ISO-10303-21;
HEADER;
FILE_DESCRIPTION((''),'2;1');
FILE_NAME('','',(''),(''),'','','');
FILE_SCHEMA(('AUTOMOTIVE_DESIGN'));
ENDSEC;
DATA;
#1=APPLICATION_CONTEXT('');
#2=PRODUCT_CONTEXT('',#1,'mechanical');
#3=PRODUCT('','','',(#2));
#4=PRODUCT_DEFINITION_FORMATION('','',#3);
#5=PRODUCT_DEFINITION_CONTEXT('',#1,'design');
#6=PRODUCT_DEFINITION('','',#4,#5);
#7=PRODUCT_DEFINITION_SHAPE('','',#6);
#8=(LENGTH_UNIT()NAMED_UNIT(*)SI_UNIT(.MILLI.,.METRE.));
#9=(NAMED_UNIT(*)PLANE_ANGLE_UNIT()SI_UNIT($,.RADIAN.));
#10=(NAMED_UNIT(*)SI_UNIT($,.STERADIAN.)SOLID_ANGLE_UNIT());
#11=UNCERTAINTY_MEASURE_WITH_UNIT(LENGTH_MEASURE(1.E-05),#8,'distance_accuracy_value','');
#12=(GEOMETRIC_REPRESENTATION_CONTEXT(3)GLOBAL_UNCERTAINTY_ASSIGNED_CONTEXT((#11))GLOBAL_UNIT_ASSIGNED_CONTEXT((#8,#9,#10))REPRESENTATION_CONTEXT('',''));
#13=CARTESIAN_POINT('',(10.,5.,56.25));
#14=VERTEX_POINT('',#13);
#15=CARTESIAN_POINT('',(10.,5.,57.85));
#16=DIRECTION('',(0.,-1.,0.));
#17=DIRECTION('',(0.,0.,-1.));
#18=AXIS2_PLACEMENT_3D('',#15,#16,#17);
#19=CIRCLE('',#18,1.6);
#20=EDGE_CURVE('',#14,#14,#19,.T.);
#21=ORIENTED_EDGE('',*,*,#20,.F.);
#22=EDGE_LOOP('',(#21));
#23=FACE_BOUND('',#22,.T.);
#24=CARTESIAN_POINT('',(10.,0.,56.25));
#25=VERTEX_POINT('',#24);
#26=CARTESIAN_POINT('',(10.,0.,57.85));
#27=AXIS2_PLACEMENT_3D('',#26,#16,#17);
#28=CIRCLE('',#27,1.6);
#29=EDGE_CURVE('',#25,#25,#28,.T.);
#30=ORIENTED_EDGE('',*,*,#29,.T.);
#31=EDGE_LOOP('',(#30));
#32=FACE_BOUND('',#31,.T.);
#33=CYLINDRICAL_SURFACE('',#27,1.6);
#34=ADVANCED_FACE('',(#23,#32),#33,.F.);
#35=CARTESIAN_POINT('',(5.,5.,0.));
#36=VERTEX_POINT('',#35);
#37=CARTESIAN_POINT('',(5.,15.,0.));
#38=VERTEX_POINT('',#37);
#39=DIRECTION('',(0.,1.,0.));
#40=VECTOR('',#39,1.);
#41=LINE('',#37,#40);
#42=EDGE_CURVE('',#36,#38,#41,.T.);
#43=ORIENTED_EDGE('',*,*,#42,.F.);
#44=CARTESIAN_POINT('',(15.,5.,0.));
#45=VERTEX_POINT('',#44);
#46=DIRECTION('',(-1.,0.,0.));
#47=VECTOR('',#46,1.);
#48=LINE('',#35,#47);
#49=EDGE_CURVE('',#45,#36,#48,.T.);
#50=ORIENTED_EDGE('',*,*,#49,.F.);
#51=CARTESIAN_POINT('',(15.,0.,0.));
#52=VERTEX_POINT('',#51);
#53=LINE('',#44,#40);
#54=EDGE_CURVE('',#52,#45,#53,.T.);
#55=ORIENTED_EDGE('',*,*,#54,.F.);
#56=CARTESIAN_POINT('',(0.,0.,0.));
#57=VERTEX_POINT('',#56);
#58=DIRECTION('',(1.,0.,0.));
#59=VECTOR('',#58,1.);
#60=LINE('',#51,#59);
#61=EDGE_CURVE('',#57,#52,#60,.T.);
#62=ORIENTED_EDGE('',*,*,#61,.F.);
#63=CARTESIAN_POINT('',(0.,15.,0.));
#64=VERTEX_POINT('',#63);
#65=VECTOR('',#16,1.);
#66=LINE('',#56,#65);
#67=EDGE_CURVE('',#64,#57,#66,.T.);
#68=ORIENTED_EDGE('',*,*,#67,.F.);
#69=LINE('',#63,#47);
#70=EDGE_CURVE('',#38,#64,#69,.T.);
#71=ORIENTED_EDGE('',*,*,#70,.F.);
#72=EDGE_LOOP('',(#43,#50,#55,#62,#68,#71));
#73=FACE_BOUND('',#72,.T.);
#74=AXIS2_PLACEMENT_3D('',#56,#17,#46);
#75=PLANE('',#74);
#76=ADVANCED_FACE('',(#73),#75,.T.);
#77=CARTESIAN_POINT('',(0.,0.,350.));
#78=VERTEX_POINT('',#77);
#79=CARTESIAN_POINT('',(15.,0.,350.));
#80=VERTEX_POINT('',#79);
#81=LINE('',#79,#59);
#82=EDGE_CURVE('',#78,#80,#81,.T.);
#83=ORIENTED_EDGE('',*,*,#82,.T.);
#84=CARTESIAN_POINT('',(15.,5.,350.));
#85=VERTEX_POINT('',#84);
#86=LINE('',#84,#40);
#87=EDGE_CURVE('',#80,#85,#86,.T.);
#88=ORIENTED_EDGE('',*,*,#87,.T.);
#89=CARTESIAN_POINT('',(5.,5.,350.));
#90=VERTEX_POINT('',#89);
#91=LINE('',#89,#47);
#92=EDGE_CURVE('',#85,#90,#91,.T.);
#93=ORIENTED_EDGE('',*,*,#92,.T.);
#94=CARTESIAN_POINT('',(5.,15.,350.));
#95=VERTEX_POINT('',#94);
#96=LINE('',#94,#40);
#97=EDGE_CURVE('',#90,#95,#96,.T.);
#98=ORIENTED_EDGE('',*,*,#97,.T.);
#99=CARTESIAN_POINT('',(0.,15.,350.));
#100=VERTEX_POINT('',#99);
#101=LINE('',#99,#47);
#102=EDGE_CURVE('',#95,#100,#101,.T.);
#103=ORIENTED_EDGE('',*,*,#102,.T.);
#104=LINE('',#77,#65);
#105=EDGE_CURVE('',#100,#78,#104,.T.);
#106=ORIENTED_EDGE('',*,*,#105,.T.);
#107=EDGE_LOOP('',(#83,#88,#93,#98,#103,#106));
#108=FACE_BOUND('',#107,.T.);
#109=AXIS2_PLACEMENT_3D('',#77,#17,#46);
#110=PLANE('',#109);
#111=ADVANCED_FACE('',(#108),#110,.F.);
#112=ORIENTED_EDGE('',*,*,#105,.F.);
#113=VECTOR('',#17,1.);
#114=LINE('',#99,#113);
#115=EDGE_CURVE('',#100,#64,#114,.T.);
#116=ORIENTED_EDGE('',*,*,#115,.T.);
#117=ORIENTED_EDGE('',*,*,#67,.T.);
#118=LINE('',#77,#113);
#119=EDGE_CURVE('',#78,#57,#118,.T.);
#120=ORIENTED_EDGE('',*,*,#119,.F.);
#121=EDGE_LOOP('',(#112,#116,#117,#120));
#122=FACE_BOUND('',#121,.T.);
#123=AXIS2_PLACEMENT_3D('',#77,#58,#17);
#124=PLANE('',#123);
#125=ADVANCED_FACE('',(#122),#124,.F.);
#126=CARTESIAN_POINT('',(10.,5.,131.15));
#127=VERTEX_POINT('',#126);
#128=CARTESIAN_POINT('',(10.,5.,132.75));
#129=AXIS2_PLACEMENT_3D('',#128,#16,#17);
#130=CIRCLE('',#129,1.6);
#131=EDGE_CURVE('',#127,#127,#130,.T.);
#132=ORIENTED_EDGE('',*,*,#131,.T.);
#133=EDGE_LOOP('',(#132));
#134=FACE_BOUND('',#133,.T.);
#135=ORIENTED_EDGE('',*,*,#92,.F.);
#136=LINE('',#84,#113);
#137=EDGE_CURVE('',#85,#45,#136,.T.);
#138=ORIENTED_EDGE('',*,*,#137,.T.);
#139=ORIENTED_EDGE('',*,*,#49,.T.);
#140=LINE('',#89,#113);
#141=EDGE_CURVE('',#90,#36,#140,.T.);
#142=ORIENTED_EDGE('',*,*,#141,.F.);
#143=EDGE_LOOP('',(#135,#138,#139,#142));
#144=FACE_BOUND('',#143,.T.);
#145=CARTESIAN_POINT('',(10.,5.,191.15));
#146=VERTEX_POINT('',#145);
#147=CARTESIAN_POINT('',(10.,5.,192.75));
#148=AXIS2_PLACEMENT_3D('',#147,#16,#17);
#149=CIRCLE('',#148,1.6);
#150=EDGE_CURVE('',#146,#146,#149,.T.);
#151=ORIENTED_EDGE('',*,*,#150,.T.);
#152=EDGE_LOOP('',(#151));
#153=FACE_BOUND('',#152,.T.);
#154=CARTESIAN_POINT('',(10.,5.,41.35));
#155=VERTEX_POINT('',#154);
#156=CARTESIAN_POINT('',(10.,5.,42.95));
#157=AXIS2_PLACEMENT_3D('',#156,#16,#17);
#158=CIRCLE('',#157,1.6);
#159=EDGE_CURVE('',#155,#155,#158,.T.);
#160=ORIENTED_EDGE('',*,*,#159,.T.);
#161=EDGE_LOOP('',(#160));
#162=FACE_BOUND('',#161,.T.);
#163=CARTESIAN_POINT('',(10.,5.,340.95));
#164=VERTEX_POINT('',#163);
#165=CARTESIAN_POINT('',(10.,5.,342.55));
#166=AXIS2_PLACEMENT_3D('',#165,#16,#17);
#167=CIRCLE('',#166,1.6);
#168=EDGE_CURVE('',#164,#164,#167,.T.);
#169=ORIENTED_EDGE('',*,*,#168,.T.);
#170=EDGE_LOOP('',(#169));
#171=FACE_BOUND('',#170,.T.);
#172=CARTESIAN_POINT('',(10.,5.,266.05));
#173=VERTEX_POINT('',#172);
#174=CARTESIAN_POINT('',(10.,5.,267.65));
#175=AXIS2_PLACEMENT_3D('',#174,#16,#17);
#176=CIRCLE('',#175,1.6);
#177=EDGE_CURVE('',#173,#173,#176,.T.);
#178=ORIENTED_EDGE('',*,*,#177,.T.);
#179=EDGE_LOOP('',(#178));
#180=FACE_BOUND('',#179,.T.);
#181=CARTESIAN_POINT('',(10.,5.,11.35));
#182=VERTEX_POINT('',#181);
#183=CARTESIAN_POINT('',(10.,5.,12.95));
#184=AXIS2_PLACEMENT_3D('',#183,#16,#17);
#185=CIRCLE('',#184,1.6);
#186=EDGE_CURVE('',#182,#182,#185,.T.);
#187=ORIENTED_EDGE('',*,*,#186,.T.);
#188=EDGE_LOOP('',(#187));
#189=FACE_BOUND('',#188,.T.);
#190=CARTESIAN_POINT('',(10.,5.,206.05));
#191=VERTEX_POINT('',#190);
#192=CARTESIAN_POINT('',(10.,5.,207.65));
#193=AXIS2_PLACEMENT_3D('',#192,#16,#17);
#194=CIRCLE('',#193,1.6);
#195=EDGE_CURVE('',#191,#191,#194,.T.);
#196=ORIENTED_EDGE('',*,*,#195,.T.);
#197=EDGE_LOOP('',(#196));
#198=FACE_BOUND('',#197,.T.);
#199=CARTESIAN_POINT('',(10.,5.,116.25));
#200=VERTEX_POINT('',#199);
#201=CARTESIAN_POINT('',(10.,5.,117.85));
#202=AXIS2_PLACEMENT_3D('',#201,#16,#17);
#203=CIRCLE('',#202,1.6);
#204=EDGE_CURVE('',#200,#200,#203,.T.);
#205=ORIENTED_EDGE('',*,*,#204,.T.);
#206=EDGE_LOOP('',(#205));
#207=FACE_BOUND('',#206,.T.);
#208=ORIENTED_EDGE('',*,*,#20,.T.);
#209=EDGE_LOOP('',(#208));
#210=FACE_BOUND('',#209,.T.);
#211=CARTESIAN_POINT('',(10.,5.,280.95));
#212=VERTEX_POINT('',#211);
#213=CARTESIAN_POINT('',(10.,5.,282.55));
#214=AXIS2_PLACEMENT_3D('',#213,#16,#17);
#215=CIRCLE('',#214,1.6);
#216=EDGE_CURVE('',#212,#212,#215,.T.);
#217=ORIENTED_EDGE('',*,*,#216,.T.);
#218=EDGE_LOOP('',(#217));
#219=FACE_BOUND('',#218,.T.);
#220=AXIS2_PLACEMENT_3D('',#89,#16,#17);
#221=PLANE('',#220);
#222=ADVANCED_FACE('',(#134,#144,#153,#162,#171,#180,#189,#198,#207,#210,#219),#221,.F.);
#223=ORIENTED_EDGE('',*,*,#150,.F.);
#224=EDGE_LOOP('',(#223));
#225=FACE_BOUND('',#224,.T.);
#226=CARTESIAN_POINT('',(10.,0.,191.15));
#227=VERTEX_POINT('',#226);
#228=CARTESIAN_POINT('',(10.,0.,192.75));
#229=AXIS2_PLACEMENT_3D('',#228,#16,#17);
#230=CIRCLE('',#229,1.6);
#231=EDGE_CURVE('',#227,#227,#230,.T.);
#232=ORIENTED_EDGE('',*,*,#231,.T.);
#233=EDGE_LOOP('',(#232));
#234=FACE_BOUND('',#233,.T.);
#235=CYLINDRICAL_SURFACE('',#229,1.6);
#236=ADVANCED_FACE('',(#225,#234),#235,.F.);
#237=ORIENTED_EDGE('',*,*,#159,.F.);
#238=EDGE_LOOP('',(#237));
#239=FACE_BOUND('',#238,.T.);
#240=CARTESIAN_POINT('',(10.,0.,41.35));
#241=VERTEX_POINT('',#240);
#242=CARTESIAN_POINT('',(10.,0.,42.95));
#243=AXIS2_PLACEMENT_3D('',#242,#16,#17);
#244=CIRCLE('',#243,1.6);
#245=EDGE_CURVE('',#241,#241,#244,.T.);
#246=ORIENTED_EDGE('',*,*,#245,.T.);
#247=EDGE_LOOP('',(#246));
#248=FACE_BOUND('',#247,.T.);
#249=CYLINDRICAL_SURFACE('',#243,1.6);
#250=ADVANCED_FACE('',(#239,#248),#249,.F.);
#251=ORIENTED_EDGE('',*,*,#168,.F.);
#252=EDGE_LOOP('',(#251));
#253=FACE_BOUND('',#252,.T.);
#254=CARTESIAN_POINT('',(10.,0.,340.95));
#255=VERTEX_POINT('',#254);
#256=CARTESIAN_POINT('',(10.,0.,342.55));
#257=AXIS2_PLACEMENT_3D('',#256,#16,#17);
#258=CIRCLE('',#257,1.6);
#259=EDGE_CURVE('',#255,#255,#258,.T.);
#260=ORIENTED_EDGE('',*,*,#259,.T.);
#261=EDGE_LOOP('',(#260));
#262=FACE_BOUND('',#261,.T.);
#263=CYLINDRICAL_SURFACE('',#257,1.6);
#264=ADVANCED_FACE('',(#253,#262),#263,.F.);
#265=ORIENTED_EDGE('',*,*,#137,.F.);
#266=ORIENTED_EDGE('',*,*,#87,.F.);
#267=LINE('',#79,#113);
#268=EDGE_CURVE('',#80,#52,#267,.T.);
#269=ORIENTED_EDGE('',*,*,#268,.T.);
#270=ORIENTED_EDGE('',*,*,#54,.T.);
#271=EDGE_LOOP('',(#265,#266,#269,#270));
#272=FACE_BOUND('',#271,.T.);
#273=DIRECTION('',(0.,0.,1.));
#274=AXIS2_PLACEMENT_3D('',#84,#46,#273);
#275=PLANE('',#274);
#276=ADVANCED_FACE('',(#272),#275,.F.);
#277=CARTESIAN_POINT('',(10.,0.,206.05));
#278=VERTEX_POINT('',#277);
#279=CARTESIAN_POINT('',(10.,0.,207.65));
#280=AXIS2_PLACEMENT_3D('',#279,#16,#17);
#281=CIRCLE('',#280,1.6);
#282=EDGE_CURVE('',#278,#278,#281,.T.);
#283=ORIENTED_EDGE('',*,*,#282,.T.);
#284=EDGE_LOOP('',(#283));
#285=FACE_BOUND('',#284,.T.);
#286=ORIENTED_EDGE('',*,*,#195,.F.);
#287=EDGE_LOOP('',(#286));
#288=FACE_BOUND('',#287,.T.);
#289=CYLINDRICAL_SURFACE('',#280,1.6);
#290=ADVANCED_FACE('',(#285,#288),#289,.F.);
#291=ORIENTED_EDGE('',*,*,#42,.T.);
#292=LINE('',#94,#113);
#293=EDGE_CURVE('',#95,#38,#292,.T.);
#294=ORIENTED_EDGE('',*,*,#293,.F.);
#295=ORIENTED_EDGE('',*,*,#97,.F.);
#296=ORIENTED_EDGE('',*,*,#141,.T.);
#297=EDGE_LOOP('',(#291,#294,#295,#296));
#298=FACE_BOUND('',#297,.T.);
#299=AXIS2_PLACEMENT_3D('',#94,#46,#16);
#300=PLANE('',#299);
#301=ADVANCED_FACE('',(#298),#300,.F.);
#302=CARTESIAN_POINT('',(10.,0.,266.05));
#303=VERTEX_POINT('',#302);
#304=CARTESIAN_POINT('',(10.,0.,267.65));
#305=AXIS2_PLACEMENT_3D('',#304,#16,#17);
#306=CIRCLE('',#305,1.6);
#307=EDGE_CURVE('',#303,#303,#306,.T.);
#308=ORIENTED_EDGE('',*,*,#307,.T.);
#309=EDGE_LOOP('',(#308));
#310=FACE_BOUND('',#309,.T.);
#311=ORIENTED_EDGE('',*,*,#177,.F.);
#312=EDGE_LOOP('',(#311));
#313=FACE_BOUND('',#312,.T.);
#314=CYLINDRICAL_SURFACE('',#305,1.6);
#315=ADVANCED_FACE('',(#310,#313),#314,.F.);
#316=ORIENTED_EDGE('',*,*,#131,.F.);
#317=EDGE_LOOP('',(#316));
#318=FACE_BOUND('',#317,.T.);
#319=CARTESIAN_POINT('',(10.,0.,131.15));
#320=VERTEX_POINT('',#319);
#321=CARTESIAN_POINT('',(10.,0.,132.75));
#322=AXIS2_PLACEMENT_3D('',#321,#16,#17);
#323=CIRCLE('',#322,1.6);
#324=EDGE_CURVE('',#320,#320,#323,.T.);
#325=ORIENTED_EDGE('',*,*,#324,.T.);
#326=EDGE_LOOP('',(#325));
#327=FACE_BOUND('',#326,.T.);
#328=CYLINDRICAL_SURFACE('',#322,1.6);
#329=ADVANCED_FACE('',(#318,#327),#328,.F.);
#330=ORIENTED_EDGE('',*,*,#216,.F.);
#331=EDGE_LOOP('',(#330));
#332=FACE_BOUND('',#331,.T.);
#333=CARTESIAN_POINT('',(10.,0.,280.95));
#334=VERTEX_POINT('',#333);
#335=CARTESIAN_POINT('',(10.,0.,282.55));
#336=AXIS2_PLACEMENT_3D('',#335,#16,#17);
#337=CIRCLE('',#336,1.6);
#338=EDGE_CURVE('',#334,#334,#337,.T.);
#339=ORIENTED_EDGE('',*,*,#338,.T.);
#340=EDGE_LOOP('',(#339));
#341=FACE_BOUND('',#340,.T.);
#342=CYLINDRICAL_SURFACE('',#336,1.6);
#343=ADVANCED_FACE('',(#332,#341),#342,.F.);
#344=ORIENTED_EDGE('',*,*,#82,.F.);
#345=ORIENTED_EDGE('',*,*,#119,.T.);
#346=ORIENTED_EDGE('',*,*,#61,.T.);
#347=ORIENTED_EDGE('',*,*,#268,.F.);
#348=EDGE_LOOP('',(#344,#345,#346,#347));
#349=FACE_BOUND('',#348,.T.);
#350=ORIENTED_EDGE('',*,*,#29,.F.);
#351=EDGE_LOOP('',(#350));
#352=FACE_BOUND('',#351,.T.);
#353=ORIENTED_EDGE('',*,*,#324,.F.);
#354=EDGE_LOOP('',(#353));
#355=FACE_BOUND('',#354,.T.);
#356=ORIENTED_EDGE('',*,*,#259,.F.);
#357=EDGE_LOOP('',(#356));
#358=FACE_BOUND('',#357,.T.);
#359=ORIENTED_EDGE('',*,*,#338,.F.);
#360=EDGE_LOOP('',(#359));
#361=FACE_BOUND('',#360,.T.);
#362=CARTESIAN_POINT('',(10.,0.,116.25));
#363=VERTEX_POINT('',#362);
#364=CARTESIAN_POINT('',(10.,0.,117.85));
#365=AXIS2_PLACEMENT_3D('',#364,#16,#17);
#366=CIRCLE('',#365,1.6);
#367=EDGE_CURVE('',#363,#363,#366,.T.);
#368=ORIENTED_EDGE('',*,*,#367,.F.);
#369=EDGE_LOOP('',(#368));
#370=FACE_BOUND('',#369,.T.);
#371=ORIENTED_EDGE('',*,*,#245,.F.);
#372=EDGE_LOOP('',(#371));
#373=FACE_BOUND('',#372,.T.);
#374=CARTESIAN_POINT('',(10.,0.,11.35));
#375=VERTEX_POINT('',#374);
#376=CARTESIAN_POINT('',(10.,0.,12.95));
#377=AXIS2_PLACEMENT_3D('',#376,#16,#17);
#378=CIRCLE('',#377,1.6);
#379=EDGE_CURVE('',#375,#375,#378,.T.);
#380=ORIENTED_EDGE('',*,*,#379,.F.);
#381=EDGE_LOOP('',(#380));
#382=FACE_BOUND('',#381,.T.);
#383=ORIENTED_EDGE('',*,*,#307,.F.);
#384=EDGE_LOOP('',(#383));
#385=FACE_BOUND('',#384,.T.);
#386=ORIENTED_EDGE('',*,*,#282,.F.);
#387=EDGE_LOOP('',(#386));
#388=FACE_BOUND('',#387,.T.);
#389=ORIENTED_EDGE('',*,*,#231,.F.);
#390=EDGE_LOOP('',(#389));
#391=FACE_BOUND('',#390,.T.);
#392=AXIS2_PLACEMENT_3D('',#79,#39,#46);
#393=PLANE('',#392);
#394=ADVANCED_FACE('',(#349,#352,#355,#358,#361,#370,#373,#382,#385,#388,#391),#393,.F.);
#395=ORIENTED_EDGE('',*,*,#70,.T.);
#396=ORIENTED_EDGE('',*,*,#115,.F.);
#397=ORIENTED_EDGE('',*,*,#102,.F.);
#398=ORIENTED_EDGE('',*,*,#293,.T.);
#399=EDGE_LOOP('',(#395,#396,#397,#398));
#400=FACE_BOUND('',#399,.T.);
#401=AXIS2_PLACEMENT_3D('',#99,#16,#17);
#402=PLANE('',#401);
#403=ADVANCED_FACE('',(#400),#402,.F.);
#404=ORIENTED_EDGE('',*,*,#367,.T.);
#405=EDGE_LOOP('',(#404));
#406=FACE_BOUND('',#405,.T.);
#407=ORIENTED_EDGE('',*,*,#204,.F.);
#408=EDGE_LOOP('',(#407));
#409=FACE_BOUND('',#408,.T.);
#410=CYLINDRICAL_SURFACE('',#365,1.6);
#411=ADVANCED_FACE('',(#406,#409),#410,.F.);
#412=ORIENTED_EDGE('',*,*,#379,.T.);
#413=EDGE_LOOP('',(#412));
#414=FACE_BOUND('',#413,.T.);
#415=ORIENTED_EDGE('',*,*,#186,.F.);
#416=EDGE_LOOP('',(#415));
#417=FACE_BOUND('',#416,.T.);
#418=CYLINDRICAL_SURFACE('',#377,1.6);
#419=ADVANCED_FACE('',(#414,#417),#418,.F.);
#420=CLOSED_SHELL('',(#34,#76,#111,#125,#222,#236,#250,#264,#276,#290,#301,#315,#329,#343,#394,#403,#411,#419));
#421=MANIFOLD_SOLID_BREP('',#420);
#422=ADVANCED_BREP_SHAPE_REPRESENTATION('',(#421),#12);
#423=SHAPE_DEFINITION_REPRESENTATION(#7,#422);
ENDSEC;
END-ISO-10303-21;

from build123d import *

# Parameters (mm, degrees)
BOSS_EXTRUDE1_DEPTH                  = 350
F_3_2_3_2_DIAMETER_HOLE1_D           = 3.2
LPATTERN2_COUNT                      = 4
LPATTERN2_PITCH                      = 74.9
F_3_2_3_2_DIAMETERHOLEFORAHALFPART_D = 3.2


with BuildPart() as part:
    # Sketch1 → Boss-Extrude1 (new body)
    with BuildSketch(Plane.XY):
        Polygon((0, 0), (0, 15), (5, 15), (5, 5), (15, 5), (15, 0), align=None)
    extrude(amount=BOSS_EXTRUDE1_DEPTH)

    # Ø3.2 (3.2) Diameter Hole1 (through all)
    with Locations(Plane(origin=(0, 0, 0), x_dir=(-1, 0, 0), z_dir=(0, -1, 0))):
        with Locations((-10, -342.55), (-10, -282.55)):
            f_3_2_3_2_diameter_hole1 = Hole(F_3_2_3_2_DIAMETER_HOLE1_D / 2)

    # LPattern2: Ø3.2 (3.2) Diameter Hole1 ×4
    with Locations(*[(0, 0, -i * LPATTERN2_PITCH) for i in range(1, LPATTERN2_COUNT)]):
        add(f_3_2_3_2_diameter_hole1, mode=Mode.SUBTRACT)

    # Ø3.2 (3.2) DiameterHoleForAHalfPart (through all)
    with Locations(Plane(origin=(0, 0, 0), x_dir=(-1, 0, 0), z_dir=(0, -1, 0))):
        with Locations((-10, -42.95), (-10, -12.95)):
            Hole(F_3_2_3_2_DIAMETERHOLEFORAHALFPART_D / 2)


solid = part.part
